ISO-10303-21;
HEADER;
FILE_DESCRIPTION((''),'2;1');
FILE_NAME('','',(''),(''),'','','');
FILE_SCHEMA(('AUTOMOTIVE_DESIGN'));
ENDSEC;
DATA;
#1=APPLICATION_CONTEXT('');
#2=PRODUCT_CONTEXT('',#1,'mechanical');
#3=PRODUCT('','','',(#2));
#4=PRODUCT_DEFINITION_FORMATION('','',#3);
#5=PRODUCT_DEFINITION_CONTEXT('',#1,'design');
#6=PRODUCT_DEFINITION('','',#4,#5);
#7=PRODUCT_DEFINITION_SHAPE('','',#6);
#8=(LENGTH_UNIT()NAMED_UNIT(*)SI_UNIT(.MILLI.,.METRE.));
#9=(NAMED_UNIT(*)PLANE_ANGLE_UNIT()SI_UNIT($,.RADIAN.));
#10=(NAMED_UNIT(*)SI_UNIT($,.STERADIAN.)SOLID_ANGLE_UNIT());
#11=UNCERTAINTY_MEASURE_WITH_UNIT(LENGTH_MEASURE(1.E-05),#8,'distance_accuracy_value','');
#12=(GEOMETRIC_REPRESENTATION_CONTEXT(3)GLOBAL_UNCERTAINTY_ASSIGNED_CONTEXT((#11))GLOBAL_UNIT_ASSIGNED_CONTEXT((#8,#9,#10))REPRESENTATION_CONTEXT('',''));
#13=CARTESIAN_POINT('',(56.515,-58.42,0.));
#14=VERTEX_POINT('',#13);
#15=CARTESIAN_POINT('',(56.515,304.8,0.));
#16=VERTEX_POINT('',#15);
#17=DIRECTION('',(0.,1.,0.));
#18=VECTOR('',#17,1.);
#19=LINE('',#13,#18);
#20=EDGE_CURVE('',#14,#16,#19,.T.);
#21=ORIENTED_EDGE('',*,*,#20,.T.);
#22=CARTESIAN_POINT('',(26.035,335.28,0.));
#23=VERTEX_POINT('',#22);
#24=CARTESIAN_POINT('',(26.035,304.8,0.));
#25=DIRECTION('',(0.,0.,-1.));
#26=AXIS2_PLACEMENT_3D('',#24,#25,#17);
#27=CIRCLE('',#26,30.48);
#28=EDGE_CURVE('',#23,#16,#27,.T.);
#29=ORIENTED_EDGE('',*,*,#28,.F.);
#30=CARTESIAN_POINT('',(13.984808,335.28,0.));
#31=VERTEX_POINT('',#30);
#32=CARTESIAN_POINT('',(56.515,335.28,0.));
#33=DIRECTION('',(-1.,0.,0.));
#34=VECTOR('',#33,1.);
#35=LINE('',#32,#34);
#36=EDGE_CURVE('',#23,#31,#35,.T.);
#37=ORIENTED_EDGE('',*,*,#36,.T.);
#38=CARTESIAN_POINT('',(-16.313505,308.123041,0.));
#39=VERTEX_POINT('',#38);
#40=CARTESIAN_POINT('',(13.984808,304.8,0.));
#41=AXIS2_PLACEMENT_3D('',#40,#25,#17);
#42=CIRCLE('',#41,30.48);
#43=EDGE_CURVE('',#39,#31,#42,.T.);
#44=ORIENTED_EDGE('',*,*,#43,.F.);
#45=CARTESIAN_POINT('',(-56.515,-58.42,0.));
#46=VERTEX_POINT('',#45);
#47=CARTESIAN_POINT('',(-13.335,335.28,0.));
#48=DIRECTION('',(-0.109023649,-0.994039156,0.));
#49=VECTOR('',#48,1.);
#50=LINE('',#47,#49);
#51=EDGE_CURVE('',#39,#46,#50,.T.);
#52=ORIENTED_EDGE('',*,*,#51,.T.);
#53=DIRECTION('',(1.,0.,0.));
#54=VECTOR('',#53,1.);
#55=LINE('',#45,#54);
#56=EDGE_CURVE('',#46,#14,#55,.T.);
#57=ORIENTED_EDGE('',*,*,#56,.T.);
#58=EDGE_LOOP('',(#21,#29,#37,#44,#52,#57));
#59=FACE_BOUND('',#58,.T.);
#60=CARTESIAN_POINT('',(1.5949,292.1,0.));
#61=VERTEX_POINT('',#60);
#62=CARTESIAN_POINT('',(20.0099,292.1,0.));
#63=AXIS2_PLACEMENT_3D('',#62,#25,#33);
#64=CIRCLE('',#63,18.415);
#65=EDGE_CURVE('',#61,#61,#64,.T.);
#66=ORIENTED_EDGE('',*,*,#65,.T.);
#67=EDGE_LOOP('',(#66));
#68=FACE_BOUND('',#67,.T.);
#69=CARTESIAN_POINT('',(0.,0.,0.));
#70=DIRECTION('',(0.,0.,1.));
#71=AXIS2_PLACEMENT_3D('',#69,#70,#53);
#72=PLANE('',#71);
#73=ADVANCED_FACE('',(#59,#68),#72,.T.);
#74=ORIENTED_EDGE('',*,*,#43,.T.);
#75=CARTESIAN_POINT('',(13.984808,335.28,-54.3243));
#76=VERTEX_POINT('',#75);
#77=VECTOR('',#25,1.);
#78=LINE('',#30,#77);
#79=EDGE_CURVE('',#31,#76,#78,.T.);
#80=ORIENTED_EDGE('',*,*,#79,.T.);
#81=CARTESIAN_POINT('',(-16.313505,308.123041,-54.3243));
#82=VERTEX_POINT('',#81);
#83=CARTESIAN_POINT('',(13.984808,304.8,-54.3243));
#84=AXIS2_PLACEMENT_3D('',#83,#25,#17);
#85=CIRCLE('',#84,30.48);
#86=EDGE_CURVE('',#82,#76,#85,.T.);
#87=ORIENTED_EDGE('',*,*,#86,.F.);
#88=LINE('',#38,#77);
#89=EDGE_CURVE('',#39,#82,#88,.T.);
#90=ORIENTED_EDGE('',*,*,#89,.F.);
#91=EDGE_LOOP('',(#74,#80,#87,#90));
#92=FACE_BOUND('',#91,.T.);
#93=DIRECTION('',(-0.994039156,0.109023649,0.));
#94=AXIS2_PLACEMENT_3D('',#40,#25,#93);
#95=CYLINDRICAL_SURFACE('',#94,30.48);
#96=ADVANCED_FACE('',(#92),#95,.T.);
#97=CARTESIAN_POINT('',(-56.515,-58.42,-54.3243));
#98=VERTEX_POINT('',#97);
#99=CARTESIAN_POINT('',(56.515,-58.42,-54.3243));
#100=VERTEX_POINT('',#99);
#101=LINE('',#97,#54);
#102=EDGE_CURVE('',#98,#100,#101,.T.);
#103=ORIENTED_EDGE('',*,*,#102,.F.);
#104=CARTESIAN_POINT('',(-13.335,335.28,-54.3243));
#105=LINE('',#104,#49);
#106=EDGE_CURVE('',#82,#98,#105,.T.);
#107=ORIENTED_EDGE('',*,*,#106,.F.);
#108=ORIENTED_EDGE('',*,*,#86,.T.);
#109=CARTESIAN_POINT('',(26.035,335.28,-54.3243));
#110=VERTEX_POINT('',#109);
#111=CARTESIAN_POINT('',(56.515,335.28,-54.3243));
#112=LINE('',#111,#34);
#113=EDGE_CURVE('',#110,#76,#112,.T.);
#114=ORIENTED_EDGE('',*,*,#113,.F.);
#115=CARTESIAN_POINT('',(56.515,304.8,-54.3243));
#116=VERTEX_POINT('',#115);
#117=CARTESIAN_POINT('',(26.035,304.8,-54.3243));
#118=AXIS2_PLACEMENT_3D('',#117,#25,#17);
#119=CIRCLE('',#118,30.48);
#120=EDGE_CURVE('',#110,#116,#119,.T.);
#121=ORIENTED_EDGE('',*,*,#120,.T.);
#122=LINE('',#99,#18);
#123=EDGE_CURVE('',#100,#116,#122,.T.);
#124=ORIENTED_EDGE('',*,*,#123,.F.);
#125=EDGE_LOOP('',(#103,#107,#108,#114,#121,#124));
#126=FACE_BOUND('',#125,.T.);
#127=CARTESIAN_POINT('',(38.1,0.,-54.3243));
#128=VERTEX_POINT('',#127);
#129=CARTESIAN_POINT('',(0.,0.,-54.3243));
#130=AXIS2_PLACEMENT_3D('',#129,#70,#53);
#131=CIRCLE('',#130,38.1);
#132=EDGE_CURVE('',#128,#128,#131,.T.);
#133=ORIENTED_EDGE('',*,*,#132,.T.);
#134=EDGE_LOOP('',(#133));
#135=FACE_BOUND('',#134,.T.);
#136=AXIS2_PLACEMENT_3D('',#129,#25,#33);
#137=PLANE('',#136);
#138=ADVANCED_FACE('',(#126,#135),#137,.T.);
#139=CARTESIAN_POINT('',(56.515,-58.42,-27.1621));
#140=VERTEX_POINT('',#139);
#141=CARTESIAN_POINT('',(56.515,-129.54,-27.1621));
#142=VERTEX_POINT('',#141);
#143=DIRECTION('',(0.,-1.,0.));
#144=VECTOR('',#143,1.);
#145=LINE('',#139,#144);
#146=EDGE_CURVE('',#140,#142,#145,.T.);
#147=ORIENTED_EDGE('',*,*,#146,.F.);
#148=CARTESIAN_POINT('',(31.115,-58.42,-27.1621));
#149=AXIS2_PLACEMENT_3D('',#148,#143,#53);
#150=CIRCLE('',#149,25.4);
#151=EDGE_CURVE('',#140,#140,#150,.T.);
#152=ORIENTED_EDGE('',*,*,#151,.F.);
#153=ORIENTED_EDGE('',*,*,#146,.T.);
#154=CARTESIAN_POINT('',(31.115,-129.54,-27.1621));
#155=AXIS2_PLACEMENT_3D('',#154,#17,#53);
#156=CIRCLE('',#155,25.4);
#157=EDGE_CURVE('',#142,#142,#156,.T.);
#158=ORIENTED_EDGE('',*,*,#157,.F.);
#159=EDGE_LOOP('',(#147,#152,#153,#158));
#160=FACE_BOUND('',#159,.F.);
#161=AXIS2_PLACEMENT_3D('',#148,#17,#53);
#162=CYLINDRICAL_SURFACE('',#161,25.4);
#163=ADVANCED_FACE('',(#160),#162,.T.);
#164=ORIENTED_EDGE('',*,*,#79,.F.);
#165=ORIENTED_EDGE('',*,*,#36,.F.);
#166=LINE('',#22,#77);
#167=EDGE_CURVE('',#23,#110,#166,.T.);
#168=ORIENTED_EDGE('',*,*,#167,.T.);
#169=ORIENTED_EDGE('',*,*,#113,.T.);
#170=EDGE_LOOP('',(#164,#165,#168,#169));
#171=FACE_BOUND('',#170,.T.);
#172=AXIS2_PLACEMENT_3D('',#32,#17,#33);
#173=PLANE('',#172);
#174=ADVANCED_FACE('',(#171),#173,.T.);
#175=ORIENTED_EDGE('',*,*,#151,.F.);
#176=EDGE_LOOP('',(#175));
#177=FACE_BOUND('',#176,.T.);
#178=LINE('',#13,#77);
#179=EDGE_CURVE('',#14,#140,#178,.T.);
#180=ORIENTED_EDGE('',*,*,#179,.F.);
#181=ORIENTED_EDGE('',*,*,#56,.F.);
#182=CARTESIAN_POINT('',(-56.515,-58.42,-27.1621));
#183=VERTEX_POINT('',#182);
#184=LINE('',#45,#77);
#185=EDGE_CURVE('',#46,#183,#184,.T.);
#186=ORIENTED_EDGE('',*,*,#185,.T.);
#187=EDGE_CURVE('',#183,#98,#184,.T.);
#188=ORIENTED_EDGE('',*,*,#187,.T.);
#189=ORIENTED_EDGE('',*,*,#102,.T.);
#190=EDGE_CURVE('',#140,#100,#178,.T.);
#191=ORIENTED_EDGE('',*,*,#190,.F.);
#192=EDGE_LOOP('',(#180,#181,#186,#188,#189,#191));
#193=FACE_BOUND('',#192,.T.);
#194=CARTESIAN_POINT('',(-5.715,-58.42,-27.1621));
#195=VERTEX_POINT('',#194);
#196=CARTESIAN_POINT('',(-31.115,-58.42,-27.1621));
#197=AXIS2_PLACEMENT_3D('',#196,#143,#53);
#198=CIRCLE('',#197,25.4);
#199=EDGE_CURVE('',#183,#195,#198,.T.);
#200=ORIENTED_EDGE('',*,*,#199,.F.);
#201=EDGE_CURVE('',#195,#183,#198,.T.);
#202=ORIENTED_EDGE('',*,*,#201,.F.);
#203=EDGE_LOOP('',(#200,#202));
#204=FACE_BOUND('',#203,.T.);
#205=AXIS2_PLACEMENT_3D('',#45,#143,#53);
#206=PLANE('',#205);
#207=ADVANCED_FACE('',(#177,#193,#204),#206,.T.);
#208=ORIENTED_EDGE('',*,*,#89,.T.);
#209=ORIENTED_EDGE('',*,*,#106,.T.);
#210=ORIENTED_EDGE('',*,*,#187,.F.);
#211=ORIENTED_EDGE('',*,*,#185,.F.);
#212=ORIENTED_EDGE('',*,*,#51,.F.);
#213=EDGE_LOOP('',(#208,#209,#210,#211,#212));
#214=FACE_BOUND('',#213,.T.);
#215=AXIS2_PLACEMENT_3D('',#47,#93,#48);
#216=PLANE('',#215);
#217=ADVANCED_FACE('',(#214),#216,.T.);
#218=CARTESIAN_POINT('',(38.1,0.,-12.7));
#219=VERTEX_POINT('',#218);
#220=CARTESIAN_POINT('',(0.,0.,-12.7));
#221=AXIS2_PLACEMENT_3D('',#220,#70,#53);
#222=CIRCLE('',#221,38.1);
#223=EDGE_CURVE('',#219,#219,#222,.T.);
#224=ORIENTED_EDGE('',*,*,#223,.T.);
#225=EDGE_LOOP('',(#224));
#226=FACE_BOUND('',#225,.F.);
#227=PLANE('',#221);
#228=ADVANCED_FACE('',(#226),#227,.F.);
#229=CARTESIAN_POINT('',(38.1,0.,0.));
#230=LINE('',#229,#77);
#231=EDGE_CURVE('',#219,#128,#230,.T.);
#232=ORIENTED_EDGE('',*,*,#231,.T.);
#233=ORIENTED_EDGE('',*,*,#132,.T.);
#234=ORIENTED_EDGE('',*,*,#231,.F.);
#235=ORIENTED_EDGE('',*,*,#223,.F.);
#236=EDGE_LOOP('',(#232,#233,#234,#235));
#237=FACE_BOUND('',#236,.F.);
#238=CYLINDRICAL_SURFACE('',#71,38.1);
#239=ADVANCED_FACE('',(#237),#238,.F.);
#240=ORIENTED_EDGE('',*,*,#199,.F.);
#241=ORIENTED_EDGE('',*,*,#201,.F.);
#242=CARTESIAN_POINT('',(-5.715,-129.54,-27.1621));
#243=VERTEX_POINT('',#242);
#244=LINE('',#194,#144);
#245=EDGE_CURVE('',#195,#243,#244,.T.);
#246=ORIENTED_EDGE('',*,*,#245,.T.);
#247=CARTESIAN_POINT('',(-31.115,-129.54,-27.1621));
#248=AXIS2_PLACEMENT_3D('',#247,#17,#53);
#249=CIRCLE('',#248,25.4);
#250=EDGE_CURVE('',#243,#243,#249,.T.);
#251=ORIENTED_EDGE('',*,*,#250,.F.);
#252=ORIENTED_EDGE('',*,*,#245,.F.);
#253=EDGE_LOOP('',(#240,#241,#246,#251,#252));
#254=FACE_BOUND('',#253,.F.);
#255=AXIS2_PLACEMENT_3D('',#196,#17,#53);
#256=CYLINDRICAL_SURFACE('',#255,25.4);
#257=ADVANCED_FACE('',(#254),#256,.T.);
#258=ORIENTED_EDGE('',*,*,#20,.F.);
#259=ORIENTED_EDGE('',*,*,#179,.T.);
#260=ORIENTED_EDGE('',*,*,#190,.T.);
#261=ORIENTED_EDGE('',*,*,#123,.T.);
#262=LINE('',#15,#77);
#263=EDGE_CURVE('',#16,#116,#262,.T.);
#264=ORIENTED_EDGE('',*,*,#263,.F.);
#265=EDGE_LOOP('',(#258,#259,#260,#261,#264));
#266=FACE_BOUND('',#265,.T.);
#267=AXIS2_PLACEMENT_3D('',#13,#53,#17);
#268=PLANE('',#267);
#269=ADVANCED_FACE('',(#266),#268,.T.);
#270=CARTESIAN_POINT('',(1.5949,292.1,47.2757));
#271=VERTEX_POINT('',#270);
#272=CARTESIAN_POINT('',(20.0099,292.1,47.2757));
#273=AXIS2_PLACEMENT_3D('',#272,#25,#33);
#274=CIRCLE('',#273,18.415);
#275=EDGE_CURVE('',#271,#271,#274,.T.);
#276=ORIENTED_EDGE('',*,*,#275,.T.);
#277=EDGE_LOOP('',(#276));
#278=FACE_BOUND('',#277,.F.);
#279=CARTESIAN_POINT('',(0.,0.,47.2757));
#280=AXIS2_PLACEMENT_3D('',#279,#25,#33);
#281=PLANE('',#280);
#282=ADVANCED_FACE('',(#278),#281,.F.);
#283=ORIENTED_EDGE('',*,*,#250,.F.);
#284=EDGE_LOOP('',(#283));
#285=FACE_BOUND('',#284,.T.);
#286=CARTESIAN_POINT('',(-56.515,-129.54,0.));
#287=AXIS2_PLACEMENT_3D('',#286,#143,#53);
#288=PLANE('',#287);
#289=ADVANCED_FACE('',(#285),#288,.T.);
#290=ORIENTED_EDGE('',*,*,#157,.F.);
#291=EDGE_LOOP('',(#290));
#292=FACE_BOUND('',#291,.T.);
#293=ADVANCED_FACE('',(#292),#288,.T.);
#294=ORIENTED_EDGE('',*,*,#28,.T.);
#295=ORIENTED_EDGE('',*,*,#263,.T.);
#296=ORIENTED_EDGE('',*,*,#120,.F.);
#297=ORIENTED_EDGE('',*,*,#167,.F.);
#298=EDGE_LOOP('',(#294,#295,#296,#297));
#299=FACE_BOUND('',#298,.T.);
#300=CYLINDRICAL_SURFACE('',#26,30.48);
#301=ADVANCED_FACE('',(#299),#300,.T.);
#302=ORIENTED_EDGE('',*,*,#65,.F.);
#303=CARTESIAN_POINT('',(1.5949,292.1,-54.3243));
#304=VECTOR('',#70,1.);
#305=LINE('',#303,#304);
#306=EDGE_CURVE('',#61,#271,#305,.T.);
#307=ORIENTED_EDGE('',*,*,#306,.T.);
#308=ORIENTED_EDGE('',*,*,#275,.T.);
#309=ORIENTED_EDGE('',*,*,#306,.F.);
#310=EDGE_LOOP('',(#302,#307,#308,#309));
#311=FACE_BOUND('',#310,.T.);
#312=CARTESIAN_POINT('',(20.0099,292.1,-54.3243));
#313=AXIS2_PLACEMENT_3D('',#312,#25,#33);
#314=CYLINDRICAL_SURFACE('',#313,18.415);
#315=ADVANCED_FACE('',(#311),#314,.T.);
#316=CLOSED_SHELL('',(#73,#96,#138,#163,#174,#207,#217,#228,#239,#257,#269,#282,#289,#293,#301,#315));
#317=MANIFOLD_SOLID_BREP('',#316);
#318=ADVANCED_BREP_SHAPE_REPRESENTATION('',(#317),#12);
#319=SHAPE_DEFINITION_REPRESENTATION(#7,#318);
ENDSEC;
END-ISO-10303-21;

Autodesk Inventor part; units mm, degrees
ref_plane "YZ Plane" through (0, 0, 0) normal (1, 0, 0) x (0, 1, 0)
ref_plane "XZ Plane" through (0, 0, 0) normal (0, 1, 0) x (-1, 0, 0)
ref_plane "XY Plane" through (0, 0, 0) normal (0, 0, 1) x (1, 0, 0)
sketch "Sketch1" plane through (0, 0, 0) normal (0, 0, 1) x (1, 0, 0)
  circle A0 centre (0, 0) radius 38.1
  line L0 (-56.515, -58.42) -> (56.515, -58.42)
  line L1 (56.515, -58.42) -> (56.515, 335.28)
  line L2 (56.515, 335.28) -> (-13.335, 335.28)
  line L3 (-13.335, 335.28) -> (-56.515, -58.42)
  dimension "d0" = 76.2
  dimension "d1" = 393.7
  dimension "d2" = 113.03
  dimension "d3" = 69.85
  dimension "d4" = 58.42
  dimension "d5" = 56.515
extrude "Extrusion1" add sketch "Sketch1" against normal blind 54.3243
fillet "Fillet1" radius 30.48 2 edges at (56.515, 335.28, -27.1621) (-13.335, 335.28, -27.1621)
sketch "Sketch2" plane through (-56.515, -58.42, 0) normal (0, -1, 0) x (1, 0, 0)
  line L0 (113.03, 0) -> (113.03, -54.3243) projected
  line L1 (113.03, -27.1621) -> (0, -27.1621)
  line L2 (0, 0) -> (0, -54.3243) projected
  line L3 (56.515, -27.1621) -> (56.515, -44.3071)
  circle A0 centre (87.63, -27.1621) radius 25.4
  circle A1 centre (25.4, -27.1621) radius 25.4
  point P0 (56.515, 0)
  dimension "d10" = 50.8
  dimension "d9" = 50.8
  dimension "d11" = 113.03
extrude "Extrusion2" add sketch "Sketch2" along normal blind 71.12
sketch "Sketch3" plane through (0, 0, 0) normal (0, 0, 1) x (1, 0, 0)
  circle A0 centre (0, 0) radius 42.7153
extrude "Extrusion3" add sketch "Sketch3" against normal blind 12.7
sketch "Sketch4" plane through (0, 0, -54.3243) normal (0, 0, -1) x (-1, 0, 0)
  line L0 (-26.035, 335.28) -> (-13.9848, 335.28) projected
  line L1 (-20.0099, 335.28) -> (-20.0099, 292.1)
  circle A0 centre (-20.0099, 292.1) radius 18.415
  point P0 (0, 0)
  dimension "d17" = 36.83
  dimension "d20" = 292.1
extrude "Extrusion4" add sketch "Sketch4" against normal blind 101.6
equation "\"d5\" = 0.5 * d2"
equation "\"d10\" = d9"
properties part number "Forearm-lrg"
